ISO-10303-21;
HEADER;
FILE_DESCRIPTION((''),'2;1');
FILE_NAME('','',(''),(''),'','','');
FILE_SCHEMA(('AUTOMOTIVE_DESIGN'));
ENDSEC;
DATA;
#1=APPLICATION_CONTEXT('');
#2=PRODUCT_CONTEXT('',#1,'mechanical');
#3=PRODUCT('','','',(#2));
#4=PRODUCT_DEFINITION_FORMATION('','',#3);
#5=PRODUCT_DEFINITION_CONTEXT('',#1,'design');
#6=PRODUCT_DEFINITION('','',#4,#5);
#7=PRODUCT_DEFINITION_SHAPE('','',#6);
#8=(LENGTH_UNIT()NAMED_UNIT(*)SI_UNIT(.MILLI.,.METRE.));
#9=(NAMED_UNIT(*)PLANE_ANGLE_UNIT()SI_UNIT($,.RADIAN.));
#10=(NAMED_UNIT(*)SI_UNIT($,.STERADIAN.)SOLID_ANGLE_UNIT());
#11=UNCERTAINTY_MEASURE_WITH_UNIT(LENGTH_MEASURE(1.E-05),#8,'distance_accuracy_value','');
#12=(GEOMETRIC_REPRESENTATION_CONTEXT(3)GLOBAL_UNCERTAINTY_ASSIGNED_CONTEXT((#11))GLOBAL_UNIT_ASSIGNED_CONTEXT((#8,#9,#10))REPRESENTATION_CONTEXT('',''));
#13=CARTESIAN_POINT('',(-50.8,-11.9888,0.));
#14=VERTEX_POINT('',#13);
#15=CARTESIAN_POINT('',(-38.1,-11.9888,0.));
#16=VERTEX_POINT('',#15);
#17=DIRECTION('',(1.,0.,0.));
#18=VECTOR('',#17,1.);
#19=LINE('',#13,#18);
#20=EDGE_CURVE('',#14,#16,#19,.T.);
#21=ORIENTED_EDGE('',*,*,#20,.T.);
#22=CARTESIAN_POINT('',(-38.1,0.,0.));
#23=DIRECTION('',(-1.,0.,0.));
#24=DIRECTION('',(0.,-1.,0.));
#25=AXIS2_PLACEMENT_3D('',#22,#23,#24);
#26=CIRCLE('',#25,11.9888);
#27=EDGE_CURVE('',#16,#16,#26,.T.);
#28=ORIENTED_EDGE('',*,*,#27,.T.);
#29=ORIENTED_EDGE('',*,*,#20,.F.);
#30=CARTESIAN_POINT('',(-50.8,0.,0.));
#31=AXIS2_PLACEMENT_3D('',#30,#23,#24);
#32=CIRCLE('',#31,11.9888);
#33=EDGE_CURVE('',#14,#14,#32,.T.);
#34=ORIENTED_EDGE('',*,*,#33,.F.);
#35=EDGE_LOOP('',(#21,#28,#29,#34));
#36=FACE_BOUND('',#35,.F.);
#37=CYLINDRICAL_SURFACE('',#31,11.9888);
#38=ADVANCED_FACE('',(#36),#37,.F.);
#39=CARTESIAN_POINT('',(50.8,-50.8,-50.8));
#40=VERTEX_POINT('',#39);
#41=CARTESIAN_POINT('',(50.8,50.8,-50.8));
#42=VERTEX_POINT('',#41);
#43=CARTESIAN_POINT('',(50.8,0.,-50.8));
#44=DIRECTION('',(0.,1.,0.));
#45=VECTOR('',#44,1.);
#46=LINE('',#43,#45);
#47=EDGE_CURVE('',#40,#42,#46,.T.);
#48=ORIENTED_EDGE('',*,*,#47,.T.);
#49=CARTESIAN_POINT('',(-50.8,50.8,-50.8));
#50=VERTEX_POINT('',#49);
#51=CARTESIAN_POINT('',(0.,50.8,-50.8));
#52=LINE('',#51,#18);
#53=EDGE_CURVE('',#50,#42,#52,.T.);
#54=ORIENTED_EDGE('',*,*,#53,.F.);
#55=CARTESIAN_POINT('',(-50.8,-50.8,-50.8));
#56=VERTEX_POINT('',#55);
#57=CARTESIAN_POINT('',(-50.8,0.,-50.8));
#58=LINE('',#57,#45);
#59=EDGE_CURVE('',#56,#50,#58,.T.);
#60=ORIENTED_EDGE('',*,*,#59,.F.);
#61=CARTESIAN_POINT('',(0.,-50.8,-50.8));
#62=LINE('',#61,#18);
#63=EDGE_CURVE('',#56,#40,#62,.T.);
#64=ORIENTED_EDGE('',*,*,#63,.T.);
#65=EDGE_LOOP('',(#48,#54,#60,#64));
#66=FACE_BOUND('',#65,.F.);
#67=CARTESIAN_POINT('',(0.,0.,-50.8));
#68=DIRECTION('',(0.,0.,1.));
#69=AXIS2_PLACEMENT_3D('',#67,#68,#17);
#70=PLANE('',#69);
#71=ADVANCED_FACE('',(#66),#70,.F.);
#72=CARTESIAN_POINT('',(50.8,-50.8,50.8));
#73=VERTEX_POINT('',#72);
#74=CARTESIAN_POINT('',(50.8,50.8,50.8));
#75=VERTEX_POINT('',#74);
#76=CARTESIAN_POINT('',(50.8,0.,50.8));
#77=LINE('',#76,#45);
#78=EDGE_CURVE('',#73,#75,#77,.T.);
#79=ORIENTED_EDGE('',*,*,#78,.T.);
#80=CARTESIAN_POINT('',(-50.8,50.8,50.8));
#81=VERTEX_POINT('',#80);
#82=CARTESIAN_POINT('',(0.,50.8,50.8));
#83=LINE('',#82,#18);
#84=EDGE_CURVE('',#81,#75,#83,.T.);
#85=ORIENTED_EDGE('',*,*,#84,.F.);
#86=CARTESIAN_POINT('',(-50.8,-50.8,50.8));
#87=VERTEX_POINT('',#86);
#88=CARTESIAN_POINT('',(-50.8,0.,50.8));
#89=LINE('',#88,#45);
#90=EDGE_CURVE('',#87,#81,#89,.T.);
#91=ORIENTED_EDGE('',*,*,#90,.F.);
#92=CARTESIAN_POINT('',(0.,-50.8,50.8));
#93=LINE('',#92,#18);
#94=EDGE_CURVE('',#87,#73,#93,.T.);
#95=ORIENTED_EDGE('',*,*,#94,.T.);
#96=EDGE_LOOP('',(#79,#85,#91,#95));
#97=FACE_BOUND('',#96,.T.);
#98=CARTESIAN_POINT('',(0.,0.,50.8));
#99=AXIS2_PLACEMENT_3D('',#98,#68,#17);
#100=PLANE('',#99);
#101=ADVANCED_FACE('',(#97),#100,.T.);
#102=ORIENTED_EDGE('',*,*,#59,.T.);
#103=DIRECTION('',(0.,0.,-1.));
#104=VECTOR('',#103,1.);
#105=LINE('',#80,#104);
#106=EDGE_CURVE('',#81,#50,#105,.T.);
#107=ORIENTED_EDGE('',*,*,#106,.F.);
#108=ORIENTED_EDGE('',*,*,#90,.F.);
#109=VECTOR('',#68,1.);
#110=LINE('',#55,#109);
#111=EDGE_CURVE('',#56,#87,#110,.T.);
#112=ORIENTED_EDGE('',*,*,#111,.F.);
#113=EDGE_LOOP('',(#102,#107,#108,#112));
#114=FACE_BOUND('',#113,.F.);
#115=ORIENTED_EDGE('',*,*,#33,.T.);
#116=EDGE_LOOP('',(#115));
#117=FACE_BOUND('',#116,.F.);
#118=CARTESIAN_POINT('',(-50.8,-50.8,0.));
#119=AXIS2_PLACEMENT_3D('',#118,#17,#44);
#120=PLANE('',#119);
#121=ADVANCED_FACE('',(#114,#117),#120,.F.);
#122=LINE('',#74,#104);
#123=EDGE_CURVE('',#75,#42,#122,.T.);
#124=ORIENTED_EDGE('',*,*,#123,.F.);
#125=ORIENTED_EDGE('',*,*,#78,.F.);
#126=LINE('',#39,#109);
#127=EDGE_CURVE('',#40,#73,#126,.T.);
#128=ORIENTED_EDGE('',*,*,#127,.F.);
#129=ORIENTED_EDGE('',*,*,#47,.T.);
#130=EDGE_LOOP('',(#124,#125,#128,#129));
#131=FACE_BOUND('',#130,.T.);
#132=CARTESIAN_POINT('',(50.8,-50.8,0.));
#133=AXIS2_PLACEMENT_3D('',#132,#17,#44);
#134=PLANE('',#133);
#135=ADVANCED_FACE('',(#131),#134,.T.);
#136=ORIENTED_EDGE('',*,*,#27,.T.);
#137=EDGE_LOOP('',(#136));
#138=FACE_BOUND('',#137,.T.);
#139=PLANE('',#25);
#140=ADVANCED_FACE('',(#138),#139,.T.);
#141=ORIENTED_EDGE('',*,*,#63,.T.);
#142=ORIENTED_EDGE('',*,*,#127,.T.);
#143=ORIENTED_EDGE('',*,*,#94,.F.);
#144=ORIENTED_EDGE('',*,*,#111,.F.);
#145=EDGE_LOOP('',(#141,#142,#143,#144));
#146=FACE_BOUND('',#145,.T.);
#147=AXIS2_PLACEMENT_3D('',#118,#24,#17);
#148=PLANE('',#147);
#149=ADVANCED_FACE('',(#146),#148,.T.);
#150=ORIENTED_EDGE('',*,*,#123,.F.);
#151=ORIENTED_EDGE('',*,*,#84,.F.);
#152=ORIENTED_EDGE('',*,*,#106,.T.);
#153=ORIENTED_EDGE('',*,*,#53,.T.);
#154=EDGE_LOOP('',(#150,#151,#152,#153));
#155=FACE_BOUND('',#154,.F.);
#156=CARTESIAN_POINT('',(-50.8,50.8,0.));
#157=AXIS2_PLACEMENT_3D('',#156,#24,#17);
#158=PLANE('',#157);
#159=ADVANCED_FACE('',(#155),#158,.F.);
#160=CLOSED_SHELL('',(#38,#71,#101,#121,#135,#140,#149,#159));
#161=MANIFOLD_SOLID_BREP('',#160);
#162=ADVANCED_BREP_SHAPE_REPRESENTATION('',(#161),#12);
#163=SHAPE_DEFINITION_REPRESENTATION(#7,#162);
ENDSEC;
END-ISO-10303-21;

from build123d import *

# Parameters (mm, degrees)
F0_W          = 101.6
F0_H          = 101.6
F1_DEPTH      = 50.8
F1_DEPTH_BACK = 50.8
F2_R          = 11.9888
F3_DEPTH      = 12.7


with BuildPart() as f1:
    # F0 (on Top) → F1 (new body, two sides)
    with BuildSketch(Plane.XY) as f1_sk:
        Rectangle(F0_W, F0_H)
    extrude(amount=F1_DEPTH)
    extrude(f1_sk.sketch, amount=-F1_DEPTH_BACK)

    # F2 (on face) → F3 (cut)
    with BuildSketch(Plane(origin=(-50.8, 0, 0), x_dir=(0, -1, 0), z_dir=(-1, 0, 0))):
        Circle(F2_R)
    extrude(amount=-F3_DEPTH, mode=Mode.SUBTRACT)


solid = f1.part
